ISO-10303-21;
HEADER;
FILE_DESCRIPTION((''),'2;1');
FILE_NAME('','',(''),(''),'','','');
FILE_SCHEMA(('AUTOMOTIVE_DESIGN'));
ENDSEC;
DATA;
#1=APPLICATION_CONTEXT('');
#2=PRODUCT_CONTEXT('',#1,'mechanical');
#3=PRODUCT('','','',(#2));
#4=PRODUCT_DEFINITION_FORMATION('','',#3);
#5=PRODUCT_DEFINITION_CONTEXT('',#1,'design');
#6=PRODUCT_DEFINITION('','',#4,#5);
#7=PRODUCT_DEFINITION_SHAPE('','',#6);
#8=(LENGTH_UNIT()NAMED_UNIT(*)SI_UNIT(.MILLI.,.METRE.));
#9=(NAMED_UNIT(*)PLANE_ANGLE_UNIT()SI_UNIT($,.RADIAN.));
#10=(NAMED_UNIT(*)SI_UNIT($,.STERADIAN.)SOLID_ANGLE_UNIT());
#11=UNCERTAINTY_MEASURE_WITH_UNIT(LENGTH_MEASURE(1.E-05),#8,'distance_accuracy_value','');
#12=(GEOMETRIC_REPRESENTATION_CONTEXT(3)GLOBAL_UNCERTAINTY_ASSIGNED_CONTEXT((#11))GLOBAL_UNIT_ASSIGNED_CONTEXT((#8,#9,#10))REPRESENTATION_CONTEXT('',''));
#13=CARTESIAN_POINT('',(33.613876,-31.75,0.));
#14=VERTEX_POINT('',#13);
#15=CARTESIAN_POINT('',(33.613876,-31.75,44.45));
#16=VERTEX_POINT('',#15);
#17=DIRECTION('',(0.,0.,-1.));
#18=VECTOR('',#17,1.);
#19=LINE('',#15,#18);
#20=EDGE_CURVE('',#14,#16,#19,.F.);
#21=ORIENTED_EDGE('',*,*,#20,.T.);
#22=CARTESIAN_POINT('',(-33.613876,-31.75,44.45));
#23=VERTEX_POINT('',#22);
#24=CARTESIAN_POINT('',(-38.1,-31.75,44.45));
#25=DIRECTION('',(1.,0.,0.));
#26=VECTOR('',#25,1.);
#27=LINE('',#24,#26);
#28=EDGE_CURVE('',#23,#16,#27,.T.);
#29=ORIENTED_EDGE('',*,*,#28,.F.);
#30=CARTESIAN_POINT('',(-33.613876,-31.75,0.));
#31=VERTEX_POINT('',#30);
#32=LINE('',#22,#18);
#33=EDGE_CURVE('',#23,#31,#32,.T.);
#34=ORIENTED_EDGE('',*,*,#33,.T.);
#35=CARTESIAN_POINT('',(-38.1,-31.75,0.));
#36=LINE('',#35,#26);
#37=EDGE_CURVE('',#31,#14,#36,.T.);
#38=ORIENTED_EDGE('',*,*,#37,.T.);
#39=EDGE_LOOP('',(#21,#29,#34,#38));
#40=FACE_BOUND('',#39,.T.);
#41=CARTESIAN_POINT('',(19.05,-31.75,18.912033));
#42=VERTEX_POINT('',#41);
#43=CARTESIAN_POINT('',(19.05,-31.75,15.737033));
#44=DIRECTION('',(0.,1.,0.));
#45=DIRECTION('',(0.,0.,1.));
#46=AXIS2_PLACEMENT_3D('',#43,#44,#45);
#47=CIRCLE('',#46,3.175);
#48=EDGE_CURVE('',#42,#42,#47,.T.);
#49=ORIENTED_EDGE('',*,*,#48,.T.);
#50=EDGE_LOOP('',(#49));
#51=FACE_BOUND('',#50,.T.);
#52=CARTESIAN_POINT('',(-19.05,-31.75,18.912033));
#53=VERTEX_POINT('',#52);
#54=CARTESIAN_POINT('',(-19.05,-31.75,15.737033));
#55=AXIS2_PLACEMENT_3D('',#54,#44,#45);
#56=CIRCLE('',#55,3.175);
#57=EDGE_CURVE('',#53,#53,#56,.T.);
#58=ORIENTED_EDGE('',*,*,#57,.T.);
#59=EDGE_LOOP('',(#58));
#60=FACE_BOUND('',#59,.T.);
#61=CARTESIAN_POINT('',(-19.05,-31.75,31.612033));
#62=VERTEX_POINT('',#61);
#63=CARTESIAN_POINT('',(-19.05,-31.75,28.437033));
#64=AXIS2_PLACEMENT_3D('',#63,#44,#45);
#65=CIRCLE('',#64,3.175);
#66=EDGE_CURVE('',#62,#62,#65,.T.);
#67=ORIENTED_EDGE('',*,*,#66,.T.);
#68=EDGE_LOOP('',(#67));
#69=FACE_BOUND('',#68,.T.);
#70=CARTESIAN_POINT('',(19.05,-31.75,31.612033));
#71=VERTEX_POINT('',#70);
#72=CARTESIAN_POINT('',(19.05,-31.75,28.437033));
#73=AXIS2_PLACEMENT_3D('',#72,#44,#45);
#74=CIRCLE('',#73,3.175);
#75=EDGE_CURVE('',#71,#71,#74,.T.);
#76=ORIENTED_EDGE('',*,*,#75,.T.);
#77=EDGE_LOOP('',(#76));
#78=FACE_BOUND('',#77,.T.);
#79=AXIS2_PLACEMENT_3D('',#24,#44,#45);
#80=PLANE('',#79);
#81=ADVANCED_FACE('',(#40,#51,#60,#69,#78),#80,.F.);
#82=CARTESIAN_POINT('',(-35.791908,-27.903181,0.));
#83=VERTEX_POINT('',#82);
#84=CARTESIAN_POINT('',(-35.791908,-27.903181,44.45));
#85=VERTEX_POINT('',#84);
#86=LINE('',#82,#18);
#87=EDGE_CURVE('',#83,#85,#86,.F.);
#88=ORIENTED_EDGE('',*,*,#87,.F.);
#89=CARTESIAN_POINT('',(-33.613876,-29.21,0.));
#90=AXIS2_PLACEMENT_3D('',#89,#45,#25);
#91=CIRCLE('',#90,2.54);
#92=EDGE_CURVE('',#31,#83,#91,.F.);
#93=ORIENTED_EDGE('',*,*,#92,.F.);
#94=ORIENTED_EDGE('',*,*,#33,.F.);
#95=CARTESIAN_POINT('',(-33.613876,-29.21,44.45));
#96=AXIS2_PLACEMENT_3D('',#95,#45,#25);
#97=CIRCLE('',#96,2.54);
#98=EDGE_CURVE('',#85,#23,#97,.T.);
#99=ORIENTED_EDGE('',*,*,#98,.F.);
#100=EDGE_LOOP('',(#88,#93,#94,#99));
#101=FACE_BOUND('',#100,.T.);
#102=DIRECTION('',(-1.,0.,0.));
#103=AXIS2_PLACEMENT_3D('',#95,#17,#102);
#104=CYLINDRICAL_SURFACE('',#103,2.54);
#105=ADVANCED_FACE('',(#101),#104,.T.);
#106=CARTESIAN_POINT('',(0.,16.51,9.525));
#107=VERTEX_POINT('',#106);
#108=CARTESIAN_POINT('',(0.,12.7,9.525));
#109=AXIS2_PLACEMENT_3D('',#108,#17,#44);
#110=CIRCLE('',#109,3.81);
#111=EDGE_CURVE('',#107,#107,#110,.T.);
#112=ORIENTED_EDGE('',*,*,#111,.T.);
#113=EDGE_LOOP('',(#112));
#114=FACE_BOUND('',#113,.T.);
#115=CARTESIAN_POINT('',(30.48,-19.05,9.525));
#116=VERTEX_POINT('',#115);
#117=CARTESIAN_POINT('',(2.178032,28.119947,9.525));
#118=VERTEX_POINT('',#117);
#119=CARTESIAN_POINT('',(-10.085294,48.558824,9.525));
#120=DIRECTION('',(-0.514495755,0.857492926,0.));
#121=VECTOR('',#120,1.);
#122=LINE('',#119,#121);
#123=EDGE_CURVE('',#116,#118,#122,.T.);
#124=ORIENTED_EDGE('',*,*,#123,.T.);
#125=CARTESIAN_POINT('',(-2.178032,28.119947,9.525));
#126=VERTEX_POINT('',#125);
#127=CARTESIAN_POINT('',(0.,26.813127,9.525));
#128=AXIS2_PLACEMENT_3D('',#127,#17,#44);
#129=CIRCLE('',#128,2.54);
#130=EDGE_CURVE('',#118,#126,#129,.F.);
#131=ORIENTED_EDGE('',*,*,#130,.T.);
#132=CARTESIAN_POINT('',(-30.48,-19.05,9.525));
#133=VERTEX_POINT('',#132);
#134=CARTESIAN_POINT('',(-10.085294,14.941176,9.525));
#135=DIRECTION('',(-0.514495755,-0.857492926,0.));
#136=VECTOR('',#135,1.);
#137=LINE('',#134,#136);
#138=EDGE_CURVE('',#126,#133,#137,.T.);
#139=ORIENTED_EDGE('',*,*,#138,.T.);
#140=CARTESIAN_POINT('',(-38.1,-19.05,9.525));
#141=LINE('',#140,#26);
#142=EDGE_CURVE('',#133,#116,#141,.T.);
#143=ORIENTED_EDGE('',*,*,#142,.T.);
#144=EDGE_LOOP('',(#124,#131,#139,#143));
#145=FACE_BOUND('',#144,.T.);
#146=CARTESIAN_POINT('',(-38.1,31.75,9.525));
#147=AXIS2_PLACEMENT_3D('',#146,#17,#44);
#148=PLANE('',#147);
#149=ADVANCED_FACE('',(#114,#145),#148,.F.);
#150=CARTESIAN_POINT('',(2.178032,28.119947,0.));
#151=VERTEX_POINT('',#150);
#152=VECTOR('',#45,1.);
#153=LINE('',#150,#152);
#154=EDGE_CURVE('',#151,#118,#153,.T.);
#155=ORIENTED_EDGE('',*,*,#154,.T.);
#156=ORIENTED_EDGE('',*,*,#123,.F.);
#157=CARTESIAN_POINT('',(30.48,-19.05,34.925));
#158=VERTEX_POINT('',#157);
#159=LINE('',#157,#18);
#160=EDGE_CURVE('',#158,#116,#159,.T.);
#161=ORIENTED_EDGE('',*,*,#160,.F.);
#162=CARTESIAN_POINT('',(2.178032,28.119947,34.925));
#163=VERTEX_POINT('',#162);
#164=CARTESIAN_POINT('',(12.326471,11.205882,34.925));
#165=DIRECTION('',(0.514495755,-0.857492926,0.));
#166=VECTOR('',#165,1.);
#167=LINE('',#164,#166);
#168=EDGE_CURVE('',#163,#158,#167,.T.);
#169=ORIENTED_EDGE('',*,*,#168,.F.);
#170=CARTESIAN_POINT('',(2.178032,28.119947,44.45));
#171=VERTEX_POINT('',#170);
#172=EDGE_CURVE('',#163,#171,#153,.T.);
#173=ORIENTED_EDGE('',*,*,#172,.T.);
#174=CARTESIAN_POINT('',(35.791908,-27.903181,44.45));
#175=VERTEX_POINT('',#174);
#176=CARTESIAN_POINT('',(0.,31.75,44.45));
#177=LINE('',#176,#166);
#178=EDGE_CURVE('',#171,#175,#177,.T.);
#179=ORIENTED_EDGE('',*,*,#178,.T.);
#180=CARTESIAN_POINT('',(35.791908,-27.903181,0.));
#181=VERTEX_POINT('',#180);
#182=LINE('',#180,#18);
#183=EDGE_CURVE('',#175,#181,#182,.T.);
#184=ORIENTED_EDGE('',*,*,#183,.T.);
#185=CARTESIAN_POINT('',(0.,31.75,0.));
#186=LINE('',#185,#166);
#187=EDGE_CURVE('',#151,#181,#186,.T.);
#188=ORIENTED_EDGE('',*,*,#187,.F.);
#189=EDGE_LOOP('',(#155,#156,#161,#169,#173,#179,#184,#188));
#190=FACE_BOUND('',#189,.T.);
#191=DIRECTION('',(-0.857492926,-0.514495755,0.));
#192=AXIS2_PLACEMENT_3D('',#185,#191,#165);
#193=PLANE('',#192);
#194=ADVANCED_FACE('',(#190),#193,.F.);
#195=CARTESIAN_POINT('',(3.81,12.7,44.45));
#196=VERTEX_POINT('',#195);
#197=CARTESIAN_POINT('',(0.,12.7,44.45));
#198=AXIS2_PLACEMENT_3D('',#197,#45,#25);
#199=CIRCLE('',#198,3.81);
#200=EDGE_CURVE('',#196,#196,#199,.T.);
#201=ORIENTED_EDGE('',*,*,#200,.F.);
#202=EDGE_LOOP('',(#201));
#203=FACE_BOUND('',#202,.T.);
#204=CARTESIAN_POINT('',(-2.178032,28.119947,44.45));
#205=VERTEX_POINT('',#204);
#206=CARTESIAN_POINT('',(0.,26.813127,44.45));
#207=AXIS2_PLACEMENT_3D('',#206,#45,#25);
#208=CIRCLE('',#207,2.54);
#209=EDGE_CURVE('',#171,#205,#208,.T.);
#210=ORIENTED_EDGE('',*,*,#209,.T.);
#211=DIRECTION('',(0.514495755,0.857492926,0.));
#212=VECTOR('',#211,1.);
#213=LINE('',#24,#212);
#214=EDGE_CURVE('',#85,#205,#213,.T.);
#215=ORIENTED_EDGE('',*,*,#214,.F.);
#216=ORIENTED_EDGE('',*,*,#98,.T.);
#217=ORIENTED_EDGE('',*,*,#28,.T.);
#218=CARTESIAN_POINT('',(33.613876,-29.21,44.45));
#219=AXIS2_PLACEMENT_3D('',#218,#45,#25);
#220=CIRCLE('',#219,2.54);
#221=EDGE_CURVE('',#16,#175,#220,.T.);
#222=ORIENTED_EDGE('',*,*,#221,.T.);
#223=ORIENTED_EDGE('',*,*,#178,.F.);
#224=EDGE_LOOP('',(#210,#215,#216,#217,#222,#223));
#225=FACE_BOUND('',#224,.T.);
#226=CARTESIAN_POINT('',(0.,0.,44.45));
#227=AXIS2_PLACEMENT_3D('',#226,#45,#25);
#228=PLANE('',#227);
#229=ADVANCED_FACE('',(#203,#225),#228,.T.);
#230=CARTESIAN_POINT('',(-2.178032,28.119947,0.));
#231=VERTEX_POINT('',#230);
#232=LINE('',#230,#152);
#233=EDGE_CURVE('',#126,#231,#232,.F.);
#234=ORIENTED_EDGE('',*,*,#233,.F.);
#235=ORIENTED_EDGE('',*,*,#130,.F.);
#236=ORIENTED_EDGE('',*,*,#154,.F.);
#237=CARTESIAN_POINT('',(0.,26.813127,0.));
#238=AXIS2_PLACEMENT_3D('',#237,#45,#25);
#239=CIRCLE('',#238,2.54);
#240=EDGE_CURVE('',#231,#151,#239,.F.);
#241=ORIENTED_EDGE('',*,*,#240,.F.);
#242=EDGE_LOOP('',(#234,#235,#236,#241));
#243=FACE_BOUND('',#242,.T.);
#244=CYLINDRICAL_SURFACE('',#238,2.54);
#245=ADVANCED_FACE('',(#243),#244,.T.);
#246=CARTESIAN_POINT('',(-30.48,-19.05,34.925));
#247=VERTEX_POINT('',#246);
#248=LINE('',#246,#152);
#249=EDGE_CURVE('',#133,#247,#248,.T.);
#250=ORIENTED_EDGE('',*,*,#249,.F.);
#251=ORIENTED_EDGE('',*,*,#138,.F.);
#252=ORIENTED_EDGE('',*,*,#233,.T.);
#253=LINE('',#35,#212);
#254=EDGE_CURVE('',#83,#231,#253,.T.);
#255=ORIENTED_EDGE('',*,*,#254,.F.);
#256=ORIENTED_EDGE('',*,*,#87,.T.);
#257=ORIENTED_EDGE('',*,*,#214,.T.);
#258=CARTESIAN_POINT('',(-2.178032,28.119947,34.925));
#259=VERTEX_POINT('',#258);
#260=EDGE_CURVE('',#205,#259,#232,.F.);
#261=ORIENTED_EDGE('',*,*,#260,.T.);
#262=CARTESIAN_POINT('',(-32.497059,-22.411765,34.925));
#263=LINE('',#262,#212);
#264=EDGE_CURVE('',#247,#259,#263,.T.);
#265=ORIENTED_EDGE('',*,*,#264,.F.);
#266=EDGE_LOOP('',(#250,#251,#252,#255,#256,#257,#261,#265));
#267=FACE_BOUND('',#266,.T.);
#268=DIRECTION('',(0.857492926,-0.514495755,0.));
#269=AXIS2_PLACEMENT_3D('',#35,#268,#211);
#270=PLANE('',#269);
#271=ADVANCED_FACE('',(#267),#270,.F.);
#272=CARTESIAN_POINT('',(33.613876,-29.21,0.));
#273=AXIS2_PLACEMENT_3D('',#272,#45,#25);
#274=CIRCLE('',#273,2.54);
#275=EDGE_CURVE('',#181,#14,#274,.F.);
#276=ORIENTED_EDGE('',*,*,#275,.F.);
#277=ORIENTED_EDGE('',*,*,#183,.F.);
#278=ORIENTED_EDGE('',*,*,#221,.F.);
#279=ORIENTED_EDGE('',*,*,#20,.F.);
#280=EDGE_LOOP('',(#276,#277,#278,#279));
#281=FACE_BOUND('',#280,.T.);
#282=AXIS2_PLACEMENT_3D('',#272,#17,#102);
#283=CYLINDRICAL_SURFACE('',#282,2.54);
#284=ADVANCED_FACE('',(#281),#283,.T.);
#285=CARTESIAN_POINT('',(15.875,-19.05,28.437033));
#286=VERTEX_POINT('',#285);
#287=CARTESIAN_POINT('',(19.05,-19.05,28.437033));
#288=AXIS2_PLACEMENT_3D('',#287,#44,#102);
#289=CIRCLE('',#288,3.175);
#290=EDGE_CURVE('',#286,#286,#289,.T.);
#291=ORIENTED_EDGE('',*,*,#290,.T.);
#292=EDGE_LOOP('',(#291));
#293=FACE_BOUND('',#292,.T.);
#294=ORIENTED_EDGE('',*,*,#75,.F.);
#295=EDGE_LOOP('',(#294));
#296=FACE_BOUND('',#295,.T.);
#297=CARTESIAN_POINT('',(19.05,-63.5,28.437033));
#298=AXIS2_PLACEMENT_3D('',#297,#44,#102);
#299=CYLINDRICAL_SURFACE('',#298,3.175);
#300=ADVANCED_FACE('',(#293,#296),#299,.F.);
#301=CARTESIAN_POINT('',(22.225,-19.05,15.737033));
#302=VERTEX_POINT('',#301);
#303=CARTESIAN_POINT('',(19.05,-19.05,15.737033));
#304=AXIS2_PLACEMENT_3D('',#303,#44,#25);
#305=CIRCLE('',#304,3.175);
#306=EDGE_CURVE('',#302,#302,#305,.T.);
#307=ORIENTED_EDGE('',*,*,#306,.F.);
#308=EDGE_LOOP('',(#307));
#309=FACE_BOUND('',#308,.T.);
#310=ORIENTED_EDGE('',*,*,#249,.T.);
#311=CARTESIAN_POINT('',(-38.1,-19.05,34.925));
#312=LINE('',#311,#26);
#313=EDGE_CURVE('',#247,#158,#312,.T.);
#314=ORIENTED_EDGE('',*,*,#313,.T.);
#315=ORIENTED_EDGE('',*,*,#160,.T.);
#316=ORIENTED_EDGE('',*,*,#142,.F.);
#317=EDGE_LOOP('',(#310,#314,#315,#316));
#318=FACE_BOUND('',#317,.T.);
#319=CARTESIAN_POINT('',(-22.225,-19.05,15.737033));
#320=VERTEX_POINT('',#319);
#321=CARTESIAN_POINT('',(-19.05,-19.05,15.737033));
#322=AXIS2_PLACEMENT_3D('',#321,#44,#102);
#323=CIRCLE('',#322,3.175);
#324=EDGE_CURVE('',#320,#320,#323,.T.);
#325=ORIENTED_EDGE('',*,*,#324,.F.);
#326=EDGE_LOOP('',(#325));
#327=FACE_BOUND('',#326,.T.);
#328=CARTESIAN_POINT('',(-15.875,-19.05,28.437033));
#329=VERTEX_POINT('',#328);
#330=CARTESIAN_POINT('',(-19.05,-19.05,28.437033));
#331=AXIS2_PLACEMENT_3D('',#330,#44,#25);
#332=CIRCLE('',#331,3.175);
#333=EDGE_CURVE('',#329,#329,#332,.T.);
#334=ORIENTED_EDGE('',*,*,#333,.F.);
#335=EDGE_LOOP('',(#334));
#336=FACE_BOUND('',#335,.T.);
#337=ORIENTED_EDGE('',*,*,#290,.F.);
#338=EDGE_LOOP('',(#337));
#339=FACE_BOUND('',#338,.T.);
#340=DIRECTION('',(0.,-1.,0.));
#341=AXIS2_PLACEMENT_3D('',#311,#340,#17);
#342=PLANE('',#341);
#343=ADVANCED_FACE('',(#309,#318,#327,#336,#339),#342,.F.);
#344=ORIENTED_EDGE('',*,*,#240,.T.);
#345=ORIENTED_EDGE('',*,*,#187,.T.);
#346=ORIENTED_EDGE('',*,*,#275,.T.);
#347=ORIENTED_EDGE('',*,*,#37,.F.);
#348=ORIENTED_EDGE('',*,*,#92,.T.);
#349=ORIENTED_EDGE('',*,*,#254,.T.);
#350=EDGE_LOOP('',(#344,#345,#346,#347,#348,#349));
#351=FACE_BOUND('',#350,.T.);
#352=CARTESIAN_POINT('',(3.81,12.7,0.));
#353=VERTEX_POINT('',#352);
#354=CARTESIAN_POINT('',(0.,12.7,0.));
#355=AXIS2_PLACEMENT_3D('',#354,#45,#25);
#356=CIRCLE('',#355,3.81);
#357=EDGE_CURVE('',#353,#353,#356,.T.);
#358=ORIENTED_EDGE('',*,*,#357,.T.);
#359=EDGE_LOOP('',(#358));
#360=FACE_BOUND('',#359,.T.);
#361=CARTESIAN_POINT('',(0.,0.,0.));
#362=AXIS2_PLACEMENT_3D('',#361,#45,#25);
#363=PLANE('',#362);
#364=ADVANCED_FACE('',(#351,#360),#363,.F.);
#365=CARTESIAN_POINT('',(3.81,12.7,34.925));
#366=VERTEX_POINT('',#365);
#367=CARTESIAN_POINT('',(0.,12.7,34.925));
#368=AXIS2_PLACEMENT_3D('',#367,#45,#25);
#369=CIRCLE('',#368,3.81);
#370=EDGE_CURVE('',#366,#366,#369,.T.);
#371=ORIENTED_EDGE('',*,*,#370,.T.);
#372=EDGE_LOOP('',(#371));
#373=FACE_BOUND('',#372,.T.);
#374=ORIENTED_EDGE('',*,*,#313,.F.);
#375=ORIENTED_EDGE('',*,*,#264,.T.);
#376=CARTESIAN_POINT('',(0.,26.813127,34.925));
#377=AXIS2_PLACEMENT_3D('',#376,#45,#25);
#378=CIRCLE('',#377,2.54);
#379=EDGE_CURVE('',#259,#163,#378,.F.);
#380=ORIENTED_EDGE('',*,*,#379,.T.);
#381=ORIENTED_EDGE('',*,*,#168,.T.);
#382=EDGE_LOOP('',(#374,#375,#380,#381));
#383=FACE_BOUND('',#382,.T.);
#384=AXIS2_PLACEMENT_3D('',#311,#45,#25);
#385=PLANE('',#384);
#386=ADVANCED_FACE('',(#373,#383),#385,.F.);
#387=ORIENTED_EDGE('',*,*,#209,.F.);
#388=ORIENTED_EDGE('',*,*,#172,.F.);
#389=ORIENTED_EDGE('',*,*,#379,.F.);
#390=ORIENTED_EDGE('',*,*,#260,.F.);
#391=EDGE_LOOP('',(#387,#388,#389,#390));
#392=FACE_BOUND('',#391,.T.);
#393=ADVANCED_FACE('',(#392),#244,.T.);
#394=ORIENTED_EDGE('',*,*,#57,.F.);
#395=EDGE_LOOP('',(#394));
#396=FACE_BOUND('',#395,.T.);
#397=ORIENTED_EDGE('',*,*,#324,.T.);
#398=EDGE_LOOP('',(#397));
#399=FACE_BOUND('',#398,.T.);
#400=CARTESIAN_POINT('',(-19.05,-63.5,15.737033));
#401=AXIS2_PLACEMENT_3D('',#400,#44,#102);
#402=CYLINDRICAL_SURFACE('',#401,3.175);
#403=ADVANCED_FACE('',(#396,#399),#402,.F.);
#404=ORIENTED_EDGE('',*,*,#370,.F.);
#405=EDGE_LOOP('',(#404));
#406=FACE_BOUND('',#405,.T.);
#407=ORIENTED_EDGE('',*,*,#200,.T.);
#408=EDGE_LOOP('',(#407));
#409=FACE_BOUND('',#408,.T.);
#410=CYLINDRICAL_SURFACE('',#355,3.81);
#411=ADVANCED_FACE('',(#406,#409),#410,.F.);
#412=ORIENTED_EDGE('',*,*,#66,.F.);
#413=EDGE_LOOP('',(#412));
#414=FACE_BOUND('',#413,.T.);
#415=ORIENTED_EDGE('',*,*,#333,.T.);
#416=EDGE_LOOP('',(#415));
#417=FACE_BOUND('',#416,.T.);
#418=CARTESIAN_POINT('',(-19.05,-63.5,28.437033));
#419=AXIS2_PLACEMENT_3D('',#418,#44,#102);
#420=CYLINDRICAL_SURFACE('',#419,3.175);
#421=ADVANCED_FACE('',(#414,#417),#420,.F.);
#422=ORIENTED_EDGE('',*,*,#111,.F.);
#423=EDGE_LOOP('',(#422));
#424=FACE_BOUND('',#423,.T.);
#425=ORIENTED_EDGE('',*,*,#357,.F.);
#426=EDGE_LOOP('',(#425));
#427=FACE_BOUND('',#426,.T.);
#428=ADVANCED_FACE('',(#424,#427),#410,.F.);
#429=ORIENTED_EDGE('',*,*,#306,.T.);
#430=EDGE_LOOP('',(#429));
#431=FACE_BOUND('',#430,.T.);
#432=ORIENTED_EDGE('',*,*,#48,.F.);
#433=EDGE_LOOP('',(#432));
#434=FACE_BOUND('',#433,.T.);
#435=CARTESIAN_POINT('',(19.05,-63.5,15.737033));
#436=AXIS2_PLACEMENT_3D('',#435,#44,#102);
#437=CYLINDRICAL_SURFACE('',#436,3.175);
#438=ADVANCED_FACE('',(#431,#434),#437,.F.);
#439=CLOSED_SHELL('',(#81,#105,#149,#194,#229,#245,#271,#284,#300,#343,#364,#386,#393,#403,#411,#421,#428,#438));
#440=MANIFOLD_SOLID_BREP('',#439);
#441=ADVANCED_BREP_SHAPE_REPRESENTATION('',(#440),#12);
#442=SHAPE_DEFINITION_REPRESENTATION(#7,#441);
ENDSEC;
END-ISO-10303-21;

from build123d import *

# Parameters (mm, degrees)
SKETCH2_W           = 76.2
SKETCH2_H           = 63.5
BOSS_EXTRUDE1_DEPTH = 44.45
SKETCH5_W           = 25.4
SKETCH5_H           = 50.8
CUT_EXTRUDE3_DEPTH  = 94.756626432
CUT_EXTRUDE4_DEPTH  = 44.45
CUT_EXTRUDE5_DEPTH  = 67.599361859
SKETCH7_R           = 3.175
CUT_EXTRUDE6_DEPTH  = 44.45
SKETCH8_R           = 3.81
CUT_EXTRUDE7_DEPTH  = 67.599361859
FILLET3_R           = 2.54


with BuildPart() as part:
    # Sketch2 → Boss-Extrude1 (new body)
    with BuildSketch(Plane.XY):
        Rectangle(SKETCH2_W, SKETCH2_H)
    extrude(amount=BOSS_EXTRUDE1_DEPTH)

    # Sketch5 → Cut-Extrude3 (cut, through all)
    with BuildSketch(Plane(origin=(38.1, 0, 0), x_dir=(0, 0, -1), z_dir=(1, 0, 0))):
        with Locations((-22.225, 6.35)):
            Rectangle(SKETCH5_W, SKETCH5_H)
    extrude(amount=-CUT_EXTRUDE3_DEPTH, mode=Mode.SUBTRACT)

    # Sketch3 → Cut-Extrude4 (cut)
    with BuildSketch(Plane.XY.offset(44.45)):
        Polygon((-38.1, -31.75), (0, 31.75), (-38.1, 31.75), align=None)
    extrude(amount=-CUT_EXTRUDE4_DEPTH, mode=Mode.SUBTRACT)

    # Sketch6 → Cut-Extrude5 (cut, through all)
    with BuildSketch(Plane.XY.offset(44.45)):
        Polygon((0, 31.75), (38.1, -31.75), (38.1, 31.75), align=None)
    extrude(amount=-CUT_EXTRUDE5_DEPTH, mode=Mode.SUBTRACT)

    # Sketch7 → Cut-Extrude6 (cut)
    with BuildSketch(Plane(origin=(0, -19.05, 0), x_dir=(1, 0, 0), z_dir=(0, 1, 0))):
        with Locations(Location((-19.05, -15.737033212, 0), (0, 0, 180))):
            Circle(SKETCH7_R)
        with Locations(Location((19.05, -15.737033212, 0), (0, 0, 270))):
            Circle(SKETCH7_R)
        with Locations(Location((19.05, -28.437033212, 0), (0, 0, 180))):
            Circle(SKETCH7_R)
        with Locations(Location((-19.05, -28.437033212, 0), (0, 0, 270))):
            Circle(SKETCH7_R)
    extrude(amount=-CUT_EXTRUDE6_DEPTH, mode=Mode.SUBTRACT)

    # Sketch8 → Cut-Extrude7 (cut, through all)
    with BuildSketch(Plane.XY.offset(44.45)):
        with Locations((0, 12.7)):
            Circle(SKETCH8_R)
    extrude(amount=-CUT_EXTRUDE7_DEPTH, mode=Mode.SUBTRACT)

    # Fillet3
    fillet3_edges = [part.edges().sort_by_distance(p)[0] for p in [
        (0, 31.75, 4.7625),
        (0, 31.75, 39.6875),
        (38.1, -31.75, 22.225),
        (-38.1, -31.75, 22.225),
    ]]
    fillet(fillet3_edges, radius=FILLET3_R)


solid = part.part
